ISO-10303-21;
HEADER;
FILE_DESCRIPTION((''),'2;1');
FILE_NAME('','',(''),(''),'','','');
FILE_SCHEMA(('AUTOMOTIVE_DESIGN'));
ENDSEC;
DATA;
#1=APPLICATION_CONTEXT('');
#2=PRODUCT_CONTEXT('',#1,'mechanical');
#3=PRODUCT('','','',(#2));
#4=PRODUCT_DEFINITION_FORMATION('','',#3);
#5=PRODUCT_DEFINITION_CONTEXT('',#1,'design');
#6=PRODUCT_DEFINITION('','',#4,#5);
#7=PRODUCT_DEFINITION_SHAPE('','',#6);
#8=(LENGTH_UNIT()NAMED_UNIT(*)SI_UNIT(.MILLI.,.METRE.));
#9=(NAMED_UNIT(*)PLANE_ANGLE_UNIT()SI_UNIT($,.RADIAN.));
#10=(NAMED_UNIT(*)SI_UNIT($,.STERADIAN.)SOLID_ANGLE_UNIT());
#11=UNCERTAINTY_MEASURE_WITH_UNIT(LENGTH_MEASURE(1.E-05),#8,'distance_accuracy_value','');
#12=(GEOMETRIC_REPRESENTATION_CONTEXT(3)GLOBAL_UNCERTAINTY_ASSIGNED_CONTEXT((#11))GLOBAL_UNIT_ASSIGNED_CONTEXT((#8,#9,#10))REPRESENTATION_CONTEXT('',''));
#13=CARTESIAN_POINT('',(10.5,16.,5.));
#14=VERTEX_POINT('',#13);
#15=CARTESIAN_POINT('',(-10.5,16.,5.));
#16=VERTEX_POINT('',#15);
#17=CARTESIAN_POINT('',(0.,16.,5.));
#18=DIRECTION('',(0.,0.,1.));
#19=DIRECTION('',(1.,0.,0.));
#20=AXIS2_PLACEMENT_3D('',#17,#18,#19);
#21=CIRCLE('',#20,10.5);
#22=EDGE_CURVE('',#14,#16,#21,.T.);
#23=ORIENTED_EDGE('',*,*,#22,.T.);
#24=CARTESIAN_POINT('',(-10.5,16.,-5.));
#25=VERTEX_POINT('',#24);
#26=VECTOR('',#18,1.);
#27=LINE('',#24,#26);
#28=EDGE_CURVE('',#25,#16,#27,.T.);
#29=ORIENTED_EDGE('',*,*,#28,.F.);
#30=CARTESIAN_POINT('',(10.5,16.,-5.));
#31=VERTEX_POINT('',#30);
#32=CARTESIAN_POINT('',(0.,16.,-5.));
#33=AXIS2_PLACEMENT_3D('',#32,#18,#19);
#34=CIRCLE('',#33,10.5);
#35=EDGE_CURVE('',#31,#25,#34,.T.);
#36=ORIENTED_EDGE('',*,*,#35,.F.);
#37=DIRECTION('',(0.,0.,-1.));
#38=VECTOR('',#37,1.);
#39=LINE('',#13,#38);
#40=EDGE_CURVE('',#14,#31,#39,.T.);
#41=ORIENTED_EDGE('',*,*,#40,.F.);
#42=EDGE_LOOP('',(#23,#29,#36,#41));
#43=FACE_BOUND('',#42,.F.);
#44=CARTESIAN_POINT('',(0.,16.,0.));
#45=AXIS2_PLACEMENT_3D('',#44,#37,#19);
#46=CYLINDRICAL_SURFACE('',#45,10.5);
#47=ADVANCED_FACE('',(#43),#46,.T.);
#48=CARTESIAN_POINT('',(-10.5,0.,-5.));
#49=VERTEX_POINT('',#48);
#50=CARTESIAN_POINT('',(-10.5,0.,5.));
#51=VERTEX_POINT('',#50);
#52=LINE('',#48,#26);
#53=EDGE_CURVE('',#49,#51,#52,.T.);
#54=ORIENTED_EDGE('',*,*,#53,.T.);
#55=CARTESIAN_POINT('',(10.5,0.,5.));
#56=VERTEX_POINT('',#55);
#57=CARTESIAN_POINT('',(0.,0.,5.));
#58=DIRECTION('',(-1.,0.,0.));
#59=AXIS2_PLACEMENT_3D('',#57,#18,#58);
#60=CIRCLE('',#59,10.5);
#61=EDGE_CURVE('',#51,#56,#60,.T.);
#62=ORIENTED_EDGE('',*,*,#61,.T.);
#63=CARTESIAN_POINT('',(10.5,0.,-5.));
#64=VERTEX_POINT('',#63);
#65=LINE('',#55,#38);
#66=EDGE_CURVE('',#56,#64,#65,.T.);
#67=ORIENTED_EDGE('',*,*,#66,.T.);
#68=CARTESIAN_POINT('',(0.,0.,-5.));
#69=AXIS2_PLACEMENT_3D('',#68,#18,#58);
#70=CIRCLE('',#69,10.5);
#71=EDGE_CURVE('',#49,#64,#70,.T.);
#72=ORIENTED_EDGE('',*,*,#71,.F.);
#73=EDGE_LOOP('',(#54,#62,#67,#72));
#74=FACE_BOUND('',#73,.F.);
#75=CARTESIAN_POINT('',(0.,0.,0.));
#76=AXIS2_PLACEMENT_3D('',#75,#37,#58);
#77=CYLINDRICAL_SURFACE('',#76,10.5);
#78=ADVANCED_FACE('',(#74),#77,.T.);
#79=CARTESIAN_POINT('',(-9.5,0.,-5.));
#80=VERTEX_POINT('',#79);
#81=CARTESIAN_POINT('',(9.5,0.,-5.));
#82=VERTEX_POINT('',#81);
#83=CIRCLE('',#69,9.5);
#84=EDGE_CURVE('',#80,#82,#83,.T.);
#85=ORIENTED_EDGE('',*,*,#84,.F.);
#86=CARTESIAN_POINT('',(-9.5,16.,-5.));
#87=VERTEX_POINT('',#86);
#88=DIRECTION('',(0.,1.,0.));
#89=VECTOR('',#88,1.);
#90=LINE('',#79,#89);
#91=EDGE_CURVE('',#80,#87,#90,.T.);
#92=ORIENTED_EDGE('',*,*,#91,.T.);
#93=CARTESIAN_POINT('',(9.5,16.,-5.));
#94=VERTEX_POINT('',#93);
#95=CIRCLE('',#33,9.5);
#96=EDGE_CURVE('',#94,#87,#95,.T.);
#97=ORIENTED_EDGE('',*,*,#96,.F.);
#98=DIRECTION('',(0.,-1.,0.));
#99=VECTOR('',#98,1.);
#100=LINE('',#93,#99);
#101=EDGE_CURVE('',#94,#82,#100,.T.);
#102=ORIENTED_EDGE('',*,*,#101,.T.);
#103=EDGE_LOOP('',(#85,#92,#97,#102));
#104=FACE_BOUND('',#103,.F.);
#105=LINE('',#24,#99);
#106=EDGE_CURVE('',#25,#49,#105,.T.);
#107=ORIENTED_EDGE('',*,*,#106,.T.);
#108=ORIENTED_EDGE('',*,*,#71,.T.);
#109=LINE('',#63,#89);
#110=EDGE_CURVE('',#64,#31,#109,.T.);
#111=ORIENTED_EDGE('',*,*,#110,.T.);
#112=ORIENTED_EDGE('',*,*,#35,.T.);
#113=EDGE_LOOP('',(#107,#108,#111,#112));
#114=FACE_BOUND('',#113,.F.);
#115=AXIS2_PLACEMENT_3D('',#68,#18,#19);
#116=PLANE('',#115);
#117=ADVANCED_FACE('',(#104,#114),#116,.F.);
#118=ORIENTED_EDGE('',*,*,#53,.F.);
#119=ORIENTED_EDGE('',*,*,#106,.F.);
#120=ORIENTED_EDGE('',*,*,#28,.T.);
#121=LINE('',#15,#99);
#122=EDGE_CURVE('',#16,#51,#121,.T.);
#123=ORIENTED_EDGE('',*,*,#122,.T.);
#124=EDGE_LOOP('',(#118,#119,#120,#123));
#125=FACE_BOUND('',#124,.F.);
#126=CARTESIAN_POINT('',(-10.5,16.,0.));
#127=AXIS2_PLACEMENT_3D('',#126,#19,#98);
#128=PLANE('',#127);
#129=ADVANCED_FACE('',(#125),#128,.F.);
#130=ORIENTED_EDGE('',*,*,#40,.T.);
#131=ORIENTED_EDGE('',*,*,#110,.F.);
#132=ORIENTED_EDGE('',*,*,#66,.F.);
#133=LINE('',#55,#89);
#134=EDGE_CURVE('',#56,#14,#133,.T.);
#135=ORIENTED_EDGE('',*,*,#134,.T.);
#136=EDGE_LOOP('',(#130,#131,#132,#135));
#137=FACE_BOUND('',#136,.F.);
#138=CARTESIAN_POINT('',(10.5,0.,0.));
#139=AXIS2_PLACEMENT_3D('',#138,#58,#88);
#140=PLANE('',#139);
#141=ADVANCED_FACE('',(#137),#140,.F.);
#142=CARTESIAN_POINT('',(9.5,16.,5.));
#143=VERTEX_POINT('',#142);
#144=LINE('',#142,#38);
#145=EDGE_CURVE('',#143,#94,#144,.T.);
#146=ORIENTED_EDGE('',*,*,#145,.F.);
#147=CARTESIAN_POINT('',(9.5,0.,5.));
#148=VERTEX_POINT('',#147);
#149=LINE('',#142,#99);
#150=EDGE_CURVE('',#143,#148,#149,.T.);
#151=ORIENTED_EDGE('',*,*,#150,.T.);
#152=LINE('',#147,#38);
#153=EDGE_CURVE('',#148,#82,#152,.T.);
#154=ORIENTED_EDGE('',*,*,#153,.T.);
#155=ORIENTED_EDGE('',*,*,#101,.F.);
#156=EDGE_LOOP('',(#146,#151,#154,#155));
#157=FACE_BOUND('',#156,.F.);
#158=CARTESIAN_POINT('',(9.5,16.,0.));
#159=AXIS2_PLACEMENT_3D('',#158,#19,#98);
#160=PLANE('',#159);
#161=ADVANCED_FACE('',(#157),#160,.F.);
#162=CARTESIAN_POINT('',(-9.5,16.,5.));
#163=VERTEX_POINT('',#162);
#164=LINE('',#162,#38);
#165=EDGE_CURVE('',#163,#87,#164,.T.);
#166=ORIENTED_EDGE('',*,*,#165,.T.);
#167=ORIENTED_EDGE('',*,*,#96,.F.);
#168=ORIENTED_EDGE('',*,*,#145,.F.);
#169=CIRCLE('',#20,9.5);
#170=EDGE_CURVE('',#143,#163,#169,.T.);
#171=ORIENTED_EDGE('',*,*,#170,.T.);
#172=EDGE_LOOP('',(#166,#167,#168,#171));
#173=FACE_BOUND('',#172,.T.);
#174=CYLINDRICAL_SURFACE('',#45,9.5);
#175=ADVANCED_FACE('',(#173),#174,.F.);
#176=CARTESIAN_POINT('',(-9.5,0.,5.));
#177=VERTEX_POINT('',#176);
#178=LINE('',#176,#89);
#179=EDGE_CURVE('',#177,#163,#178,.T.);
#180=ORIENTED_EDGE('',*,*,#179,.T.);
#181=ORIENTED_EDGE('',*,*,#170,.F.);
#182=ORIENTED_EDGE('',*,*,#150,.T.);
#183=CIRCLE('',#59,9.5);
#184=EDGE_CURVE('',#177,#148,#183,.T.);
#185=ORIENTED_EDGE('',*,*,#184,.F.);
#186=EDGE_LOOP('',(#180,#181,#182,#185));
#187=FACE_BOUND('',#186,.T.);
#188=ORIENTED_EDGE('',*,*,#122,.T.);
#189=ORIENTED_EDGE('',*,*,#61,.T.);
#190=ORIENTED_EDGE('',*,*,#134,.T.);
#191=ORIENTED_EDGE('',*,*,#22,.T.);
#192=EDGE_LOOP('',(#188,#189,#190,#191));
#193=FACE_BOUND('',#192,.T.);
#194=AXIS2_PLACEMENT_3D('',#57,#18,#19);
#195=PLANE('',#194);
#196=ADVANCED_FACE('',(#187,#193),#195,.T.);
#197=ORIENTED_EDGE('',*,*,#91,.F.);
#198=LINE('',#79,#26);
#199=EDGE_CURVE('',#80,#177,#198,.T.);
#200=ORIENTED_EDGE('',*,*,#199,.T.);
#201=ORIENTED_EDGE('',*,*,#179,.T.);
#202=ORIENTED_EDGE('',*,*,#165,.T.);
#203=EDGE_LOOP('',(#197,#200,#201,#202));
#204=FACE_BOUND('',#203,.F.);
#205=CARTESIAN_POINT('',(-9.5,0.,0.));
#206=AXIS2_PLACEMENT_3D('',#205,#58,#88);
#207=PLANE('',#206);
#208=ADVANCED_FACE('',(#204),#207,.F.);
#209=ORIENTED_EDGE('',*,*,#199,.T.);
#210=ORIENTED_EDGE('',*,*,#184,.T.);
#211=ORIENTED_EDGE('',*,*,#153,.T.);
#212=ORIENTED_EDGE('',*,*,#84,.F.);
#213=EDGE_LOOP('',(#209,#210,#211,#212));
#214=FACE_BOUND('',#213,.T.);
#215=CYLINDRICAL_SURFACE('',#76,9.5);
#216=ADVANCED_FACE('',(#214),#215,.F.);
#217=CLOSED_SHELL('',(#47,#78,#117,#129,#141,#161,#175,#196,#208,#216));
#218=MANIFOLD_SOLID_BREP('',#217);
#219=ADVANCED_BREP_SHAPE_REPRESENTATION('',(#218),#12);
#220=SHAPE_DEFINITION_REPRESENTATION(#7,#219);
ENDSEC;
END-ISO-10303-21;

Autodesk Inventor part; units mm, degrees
ref_plane "YZ Plane" through (0, 0, 0) normal (1, 0, 0) x (0, 1, 0)
ref_plane "XZ Plane" through (0, 0, 0) normal (0, 1, 0) x (-1, 0, 0)
ref_plane "XY Plane" through (0, 0, 0) normal (0, 0, 1) x (1, 0, 0)
sketch "Sketch1" plane through (0, 0, 0) normal (0, 0, 1) x (1, 0, 0)
  line L0 (0, 0) -> (0, 16) construction
  line L1 (-9.5, 0) -> (-9.5, 16)
  line L2 (9.5, 16) -> (9.5, 0)
  arc A0 (-9.5, 0) -> (9.5, 0) centre (0, 0) ccw
  arc A1 (9.5, 16) -> (-9.5, 16) centre (0, 16) ccw
  line L3 (-10.5, 16) -> (-10.5, 0)
  arc A2 (-10.5, 0) -> (10.5, 0) centre (0, 0) ccw
  line L4 (10.5, 0) -> (10.5, 16)
  arc A3 (10.5, 16) -> (-10.5, 16) centre (0, 16) ccw
  point P0 (0, 8)
  dimension "d3" = 9.5
  dimension "d4" = 16
  dimension "d5" = 1
extrude "Extrusion1" add sketch "Sketch1" along normal mid plane 10
properties part number "Colierî"
